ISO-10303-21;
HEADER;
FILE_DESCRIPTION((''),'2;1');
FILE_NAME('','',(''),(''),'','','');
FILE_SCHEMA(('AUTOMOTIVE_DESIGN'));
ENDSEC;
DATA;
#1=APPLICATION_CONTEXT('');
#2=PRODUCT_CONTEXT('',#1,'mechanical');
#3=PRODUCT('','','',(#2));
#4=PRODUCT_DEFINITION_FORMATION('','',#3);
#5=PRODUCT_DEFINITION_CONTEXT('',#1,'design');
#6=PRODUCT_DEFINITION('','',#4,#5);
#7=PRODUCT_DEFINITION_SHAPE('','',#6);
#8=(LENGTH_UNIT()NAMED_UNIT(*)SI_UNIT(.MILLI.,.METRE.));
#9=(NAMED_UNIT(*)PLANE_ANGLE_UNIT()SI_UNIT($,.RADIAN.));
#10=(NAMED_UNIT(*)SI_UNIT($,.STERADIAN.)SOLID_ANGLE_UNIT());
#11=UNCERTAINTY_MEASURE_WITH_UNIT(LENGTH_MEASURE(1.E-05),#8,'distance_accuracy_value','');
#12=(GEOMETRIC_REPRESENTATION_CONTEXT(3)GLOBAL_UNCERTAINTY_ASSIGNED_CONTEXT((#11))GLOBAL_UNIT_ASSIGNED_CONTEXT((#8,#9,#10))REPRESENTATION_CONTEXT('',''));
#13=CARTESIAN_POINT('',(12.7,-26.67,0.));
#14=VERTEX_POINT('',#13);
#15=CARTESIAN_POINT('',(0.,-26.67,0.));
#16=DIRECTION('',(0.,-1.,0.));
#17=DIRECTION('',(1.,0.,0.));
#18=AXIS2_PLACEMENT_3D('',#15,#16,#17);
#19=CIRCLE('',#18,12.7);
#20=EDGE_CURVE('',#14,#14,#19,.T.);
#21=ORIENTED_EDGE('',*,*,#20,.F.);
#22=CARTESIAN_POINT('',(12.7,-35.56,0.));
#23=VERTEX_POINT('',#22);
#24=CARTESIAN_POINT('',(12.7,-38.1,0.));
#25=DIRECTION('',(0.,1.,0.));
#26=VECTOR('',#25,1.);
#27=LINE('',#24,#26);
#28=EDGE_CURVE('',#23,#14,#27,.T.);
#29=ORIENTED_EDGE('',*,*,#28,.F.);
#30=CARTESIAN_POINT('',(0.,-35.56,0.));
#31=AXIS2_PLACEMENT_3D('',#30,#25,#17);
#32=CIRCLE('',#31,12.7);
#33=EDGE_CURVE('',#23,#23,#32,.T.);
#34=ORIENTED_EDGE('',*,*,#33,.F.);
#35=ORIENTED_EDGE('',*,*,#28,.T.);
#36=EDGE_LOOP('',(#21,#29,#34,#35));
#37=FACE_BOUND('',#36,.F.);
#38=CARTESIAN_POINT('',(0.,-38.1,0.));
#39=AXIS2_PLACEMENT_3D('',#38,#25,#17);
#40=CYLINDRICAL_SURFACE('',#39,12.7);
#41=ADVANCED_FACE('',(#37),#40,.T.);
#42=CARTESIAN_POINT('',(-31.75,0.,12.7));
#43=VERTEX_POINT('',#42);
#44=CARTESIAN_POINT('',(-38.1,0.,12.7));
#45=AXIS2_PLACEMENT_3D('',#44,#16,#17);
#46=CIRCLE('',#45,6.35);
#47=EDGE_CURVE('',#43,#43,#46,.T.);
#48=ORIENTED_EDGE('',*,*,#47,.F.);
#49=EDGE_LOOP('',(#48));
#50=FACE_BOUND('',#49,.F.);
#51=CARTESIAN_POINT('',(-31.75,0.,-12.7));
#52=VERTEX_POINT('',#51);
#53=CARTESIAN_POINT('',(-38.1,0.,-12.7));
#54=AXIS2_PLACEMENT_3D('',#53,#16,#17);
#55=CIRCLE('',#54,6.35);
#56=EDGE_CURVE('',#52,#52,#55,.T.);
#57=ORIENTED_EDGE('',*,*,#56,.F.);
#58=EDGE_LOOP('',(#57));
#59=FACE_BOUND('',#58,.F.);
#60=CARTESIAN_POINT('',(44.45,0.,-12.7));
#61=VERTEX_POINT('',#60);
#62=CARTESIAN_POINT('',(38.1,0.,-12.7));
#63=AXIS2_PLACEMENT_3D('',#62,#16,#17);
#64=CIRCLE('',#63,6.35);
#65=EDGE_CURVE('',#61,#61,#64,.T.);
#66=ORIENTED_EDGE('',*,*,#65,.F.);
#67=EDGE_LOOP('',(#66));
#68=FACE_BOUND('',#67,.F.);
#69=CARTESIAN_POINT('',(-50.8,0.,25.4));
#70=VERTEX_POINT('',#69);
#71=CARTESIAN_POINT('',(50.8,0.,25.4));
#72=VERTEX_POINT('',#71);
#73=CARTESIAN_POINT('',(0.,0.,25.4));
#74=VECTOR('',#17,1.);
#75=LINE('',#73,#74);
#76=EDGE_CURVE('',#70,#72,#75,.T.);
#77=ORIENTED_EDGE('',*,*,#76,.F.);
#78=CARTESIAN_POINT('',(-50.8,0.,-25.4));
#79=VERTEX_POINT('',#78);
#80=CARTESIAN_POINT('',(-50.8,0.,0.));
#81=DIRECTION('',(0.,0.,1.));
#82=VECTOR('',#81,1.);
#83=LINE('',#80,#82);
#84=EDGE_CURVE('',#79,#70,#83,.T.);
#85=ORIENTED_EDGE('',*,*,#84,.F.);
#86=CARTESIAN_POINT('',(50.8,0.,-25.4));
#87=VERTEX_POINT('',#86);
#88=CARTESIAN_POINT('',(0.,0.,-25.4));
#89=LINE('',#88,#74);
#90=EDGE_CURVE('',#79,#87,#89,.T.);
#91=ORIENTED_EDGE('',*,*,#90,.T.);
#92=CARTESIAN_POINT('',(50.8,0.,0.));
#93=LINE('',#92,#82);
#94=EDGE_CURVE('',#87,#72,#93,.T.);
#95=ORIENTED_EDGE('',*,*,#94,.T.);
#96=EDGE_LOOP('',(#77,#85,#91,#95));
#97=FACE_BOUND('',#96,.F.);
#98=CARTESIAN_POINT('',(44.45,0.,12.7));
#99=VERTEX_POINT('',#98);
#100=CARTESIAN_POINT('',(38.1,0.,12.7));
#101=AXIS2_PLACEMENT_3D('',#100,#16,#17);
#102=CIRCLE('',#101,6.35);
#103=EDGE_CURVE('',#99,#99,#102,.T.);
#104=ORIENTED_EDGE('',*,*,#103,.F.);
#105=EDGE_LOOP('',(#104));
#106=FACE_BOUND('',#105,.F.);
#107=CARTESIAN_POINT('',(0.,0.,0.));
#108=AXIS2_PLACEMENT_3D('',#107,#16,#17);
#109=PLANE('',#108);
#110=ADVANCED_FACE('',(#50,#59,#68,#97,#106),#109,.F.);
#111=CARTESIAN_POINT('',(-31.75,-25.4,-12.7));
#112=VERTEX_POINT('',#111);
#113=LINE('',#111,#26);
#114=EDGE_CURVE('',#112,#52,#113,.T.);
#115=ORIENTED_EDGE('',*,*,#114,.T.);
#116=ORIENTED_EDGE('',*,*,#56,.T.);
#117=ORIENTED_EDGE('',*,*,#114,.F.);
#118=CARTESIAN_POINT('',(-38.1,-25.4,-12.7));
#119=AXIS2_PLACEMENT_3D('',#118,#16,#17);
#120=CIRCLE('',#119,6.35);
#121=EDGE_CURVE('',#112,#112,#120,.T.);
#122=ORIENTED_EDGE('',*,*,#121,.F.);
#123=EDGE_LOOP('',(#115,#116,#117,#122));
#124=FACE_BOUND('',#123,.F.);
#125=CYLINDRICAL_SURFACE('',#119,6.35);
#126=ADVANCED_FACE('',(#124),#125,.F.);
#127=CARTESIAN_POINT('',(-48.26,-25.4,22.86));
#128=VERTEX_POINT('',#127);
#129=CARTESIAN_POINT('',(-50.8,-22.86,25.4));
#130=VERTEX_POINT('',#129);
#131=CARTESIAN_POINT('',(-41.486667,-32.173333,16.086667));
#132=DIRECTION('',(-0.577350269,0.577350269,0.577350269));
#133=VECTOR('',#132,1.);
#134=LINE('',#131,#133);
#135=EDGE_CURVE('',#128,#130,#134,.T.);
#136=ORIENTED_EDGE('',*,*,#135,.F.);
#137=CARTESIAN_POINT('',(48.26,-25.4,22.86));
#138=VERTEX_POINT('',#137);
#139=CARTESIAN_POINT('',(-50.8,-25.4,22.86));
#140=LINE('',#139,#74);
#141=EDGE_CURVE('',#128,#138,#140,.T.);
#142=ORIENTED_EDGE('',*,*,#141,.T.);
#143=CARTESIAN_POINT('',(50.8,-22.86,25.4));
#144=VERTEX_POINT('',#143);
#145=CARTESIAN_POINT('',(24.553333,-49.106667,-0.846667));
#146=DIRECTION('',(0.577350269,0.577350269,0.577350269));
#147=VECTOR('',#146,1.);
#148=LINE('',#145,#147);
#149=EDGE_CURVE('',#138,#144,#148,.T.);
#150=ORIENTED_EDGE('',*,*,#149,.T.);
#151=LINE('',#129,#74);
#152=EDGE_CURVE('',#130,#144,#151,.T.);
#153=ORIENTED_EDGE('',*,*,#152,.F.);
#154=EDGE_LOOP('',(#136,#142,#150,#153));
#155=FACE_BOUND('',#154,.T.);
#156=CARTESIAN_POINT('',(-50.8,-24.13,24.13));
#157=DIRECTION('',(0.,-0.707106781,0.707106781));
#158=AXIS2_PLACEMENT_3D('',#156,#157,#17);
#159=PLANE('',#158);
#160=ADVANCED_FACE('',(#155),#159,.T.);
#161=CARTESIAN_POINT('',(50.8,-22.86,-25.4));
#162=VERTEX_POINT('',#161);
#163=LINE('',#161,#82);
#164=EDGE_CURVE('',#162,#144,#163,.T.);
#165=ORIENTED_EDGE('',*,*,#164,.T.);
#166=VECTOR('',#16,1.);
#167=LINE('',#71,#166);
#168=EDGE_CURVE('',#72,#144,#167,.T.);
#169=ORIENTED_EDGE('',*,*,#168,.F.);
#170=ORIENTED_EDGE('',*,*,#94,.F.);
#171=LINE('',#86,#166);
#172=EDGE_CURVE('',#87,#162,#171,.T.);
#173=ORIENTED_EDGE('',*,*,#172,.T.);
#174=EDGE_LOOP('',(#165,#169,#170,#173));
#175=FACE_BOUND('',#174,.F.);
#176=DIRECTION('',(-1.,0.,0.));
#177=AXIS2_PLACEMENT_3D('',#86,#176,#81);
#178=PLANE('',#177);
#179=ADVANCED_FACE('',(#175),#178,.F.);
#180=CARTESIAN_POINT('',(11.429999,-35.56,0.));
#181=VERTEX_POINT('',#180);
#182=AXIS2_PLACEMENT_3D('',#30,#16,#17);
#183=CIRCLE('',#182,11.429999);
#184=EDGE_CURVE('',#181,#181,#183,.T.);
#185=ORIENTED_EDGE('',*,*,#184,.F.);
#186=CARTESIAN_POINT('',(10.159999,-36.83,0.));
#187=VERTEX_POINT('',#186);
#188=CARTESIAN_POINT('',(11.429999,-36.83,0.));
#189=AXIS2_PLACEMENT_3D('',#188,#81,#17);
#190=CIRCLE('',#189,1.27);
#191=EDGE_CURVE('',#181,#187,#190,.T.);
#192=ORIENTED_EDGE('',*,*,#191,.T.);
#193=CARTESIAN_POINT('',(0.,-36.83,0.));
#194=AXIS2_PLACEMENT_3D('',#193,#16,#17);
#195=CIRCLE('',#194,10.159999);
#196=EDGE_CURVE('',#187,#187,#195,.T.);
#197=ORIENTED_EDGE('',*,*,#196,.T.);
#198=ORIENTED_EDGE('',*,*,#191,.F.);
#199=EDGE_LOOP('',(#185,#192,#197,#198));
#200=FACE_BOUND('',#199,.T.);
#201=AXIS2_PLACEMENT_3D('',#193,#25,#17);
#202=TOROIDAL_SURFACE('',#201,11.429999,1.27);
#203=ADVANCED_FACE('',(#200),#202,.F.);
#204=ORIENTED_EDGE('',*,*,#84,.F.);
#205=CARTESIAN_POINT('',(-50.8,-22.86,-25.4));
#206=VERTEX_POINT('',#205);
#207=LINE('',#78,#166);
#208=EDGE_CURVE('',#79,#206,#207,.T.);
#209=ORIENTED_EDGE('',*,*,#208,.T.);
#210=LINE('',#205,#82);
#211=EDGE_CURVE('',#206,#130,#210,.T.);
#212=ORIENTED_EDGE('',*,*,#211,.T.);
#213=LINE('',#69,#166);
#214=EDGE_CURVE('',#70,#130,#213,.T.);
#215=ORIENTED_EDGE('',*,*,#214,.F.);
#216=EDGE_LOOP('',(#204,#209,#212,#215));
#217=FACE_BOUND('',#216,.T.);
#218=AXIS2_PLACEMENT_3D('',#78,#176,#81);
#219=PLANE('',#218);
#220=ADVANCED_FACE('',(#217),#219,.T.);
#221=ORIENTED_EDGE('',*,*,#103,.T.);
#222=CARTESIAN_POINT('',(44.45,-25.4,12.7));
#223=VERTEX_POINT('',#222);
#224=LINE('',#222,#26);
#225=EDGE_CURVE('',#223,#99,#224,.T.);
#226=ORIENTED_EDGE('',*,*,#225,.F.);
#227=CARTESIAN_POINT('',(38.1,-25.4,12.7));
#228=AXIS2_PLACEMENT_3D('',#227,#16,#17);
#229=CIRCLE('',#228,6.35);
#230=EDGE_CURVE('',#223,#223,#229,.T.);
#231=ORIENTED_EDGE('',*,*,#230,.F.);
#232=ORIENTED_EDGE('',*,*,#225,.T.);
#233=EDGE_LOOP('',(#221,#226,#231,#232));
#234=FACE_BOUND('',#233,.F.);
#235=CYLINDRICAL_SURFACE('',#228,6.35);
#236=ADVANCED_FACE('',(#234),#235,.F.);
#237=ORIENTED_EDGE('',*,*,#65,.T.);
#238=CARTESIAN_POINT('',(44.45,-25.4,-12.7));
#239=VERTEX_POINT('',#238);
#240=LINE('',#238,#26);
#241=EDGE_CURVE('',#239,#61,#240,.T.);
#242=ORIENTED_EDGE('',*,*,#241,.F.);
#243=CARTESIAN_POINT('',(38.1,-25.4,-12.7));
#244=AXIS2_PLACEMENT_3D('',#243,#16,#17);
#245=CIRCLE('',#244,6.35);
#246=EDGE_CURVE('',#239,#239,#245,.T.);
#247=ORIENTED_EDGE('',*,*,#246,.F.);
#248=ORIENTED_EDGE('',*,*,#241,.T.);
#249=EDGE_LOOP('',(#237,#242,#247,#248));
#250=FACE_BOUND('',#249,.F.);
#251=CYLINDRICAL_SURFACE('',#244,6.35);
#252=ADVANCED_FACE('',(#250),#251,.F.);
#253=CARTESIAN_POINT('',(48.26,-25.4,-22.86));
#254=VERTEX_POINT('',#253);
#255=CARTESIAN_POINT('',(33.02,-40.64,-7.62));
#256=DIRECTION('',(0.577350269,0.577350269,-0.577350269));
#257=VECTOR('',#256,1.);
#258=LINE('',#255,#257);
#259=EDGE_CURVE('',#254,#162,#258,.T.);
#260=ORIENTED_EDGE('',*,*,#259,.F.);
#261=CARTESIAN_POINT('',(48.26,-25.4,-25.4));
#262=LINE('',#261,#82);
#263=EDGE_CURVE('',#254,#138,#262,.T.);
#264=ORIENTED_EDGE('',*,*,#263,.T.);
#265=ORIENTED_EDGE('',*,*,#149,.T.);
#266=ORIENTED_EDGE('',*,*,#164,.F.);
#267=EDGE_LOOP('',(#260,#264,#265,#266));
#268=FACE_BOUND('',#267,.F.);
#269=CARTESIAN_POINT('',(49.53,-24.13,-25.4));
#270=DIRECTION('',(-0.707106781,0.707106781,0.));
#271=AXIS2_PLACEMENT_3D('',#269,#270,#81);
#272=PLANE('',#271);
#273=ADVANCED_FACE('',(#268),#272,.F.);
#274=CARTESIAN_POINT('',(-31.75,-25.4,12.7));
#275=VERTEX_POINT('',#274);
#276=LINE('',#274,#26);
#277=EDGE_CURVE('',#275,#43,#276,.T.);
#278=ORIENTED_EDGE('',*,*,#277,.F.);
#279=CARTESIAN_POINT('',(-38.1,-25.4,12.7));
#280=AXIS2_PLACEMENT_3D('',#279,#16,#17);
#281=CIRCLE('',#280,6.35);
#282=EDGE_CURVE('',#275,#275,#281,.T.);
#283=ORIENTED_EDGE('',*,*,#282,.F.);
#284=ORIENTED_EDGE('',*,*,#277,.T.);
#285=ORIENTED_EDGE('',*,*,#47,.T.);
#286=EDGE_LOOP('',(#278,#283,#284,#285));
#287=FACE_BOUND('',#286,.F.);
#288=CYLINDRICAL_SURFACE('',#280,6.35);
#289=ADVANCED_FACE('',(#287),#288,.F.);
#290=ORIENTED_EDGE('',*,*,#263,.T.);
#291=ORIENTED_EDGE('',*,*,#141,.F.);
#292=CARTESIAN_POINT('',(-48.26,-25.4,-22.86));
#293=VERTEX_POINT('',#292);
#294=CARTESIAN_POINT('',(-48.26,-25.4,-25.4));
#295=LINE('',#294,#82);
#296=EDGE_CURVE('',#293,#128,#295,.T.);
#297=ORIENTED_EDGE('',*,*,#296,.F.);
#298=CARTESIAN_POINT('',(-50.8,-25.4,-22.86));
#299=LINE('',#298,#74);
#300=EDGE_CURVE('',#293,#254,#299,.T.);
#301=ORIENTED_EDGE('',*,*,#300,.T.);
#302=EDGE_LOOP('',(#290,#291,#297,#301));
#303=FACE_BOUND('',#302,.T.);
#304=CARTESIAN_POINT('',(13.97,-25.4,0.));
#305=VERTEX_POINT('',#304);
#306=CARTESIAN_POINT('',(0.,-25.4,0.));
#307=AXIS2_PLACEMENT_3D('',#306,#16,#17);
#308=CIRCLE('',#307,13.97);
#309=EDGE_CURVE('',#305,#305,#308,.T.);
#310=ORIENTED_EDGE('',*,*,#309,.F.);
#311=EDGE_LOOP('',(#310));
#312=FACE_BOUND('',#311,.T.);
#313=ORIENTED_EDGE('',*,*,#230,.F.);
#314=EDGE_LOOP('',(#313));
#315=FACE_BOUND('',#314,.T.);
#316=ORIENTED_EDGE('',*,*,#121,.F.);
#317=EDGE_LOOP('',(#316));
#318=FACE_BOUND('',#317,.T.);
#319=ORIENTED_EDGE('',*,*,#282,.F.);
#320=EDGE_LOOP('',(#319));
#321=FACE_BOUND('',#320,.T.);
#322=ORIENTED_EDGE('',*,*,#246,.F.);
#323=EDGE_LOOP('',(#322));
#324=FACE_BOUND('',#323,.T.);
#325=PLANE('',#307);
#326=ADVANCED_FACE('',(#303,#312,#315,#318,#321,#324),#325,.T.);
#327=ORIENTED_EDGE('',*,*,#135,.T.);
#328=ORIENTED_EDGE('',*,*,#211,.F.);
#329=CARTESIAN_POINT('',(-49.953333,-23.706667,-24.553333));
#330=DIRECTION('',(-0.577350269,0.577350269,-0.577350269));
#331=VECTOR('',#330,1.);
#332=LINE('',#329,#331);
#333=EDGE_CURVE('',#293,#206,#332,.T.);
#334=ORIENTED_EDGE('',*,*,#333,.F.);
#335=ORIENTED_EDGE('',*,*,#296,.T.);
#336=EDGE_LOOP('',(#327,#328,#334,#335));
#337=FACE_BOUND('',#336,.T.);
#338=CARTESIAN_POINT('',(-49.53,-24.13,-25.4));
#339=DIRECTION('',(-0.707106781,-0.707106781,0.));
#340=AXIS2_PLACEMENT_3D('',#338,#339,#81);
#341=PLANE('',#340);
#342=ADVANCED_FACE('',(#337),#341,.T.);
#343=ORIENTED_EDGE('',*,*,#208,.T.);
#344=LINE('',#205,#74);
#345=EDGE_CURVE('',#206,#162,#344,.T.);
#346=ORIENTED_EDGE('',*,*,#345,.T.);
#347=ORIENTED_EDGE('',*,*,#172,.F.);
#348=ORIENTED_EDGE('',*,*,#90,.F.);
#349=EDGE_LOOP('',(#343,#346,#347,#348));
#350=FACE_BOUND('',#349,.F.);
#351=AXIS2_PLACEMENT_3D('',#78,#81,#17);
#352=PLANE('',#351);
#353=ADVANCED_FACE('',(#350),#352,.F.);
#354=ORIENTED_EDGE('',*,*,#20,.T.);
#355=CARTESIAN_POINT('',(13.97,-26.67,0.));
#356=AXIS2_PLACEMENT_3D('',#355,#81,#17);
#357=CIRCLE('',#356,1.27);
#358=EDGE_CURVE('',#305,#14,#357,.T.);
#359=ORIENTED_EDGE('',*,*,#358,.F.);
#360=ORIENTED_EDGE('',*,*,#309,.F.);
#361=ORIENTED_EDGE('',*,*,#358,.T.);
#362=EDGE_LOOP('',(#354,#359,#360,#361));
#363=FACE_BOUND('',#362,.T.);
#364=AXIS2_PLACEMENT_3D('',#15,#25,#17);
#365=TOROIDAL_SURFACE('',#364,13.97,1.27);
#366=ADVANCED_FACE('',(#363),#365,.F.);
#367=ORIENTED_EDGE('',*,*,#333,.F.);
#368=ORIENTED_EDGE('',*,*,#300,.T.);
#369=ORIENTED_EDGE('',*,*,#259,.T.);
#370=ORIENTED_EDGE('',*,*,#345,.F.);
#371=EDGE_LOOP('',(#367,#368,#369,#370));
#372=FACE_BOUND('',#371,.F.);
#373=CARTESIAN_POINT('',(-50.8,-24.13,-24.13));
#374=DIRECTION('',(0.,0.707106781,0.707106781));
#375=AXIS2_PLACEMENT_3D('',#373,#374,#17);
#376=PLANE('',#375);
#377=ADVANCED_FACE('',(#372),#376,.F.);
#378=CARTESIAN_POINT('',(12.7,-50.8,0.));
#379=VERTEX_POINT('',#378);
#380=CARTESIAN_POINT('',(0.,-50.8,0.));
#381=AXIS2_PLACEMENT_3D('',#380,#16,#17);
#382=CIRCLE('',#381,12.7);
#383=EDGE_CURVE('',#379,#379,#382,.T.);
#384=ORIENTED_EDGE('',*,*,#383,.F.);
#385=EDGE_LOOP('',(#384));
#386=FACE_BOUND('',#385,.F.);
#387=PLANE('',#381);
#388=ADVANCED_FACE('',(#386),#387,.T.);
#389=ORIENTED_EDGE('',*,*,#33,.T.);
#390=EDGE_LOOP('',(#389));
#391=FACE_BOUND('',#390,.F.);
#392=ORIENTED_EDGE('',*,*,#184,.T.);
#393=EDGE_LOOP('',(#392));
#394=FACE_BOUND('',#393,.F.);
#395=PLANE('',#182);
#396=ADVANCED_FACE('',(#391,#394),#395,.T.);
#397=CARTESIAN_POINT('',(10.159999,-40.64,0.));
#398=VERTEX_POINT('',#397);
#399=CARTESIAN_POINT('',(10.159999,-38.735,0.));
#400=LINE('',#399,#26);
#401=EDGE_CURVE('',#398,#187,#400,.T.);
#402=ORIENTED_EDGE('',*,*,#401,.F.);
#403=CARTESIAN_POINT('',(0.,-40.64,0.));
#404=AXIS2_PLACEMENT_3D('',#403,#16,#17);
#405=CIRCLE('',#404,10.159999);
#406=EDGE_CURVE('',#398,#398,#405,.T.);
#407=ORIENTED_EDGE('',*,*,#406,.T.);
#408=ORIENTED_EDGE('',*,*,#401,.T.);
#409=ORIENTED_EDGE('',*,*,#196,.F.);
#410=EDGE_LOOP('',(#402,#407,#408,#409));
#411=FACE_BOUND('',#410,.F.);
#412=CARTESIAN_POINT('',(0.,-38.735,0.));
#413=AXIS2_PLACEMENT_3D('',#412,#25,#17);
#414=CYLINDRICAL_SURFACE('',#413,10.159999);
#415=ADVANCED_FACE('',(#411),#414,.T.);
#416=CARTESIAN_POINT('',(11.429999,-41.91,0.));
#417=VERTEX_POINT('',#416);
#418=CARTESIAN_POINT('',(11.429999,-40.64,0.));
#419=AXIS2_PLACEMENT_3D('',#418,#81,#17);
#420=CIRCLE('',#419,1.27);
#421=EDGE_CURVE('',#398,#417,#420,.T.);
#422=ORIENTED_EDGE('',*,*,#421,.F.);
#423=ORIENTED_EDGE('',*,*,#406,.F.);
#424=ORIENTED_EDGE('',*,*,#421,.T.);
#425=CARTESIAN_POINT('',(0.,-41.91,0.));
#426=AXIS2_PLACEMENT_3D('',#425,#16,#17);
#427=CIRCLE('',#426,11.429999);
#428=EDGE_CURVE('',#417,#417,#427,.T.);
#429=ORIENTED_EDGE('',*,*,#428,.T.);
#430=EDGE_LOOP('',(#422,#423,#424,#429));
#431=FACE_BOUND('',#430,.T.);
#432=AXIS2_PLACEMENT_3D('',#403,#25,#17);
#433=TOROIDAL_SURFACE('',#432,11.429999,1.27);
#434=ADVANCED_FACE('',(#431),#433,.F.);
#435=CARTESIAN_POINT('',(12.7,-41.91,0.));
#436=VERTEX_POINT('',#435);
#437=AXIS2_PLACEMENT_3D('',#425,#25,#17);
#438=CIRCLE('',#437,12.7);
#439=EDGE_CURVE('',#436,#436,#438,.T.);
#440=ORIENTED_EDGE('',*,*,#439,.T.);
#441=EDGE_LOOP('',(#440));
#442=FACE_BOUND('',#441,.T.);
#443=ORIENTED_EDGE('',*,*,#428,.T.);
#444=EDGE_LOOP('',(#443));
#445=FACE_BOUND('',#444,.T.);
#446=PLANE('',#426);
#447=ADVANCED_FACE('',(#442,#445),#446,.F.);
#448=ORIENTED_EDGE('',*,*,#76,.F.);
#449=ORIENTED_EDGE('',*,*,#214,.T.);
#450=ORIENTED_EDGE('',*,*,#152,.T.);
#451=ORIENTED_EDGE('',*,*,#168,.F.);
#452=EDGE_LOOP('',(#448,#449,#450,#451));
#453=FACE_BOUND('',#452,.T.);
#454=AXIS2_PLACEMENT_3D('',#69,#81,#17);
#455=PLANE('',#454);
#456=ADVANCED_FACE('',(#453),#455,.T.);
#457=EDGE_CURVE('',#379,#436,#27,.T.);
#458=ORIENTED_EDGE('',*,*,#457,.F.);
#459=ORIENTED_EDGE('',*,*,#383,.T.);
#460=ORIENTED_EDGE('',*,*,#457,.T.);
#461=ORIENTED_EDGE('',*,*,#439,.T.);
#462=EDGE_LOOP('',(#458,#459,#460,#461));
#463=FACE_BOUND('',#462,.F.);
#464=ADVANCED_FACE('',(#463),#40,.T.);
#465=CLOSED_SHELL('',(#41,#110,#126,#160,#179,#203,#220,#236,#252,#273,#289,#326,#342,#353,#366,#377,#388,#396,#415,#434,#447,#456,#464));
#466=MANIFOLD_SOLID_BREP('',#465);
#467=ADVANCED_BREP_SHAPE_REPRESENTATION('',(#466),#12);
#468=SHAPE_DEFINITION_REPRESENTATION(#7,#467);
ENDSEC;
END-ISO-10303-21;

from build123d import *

# Parameters (mm, degrees)
F0_W     = 101.6
F0_H     = 50.8
F1_DEPTH = 25.4
F2_R     = 6.35
F3_DEPTH = 25.401
F4_W     = 12.7
F4_H     = 25.4
F6_W     = 7.649529
F6_H     = 6.35
F8_R     = 1.27
F9_SIZE  = 2.54


with BuildPart() as f1:
    # F0 (on Front) → F1 (new body)
    with BuildSketch(Plane.XZ):
        Rectangle(F0_W, F0_H)
    extrude(amount=F1_DEPTH)

    # F2 (on face) → F3 (cut, through all)
    with BuildSketch(Plane.XZ.offset(25.4)):
        with Locations((-38.1, 12.7)):
            Circle(F2_R)
        with Locations((-38.1, -12.7)):
            Circle(F2_R)
        with Locations((38.1, 12.7)):
            Circle(F2_R)
        with Locations((38.1, -12.7)):
            Circle(F2_R)
    extrude(amount=-F3_DEPTH, mode=Mode.SUBTRACT)

    # F4 (on Top) → F5 (revolve)
    with BuildSketch(Plane.XY):
        with Locations((6.35, -38.1)):
            Rectangle(F4_W, F4_H)
    revolve(axis=Axis((0, -38.1, 0), (0, -1, 0)))

    # F6 (on Top) → F7 (revolve, cut)
    with BuildSketch(Plane.XY):
        with Locations((13.984764, -38.735)):
            Rectangle(F6_W, F6_H)
    revolve(axis=Axis((0, -35.811, 0), (0, -1, 0)), mode=Mode.SUBTRACT)

    # F8
    f8_edges = [f1.edges().sort_by_distance(p)[0] for p in [
        (-12.7, -25.4, 0),
        (-10.16, -41.91, 0),
        (-10.16, -35.56, 0),
    ]]
    fillet(f8_edges, radius=F8_R)

    # F9
    f9_edges = [f1.edges().sort_by_distance(p)[0] for p in [
        (0, -25.4, 25.4),
        (-50.8, -25.4, 0),
        (0, -25.4, -25.4),
        (50.8, -25.4, 0),
    ]]
    chamfer(f9_edges, length=F9_SIZE)


solid = f1.part
